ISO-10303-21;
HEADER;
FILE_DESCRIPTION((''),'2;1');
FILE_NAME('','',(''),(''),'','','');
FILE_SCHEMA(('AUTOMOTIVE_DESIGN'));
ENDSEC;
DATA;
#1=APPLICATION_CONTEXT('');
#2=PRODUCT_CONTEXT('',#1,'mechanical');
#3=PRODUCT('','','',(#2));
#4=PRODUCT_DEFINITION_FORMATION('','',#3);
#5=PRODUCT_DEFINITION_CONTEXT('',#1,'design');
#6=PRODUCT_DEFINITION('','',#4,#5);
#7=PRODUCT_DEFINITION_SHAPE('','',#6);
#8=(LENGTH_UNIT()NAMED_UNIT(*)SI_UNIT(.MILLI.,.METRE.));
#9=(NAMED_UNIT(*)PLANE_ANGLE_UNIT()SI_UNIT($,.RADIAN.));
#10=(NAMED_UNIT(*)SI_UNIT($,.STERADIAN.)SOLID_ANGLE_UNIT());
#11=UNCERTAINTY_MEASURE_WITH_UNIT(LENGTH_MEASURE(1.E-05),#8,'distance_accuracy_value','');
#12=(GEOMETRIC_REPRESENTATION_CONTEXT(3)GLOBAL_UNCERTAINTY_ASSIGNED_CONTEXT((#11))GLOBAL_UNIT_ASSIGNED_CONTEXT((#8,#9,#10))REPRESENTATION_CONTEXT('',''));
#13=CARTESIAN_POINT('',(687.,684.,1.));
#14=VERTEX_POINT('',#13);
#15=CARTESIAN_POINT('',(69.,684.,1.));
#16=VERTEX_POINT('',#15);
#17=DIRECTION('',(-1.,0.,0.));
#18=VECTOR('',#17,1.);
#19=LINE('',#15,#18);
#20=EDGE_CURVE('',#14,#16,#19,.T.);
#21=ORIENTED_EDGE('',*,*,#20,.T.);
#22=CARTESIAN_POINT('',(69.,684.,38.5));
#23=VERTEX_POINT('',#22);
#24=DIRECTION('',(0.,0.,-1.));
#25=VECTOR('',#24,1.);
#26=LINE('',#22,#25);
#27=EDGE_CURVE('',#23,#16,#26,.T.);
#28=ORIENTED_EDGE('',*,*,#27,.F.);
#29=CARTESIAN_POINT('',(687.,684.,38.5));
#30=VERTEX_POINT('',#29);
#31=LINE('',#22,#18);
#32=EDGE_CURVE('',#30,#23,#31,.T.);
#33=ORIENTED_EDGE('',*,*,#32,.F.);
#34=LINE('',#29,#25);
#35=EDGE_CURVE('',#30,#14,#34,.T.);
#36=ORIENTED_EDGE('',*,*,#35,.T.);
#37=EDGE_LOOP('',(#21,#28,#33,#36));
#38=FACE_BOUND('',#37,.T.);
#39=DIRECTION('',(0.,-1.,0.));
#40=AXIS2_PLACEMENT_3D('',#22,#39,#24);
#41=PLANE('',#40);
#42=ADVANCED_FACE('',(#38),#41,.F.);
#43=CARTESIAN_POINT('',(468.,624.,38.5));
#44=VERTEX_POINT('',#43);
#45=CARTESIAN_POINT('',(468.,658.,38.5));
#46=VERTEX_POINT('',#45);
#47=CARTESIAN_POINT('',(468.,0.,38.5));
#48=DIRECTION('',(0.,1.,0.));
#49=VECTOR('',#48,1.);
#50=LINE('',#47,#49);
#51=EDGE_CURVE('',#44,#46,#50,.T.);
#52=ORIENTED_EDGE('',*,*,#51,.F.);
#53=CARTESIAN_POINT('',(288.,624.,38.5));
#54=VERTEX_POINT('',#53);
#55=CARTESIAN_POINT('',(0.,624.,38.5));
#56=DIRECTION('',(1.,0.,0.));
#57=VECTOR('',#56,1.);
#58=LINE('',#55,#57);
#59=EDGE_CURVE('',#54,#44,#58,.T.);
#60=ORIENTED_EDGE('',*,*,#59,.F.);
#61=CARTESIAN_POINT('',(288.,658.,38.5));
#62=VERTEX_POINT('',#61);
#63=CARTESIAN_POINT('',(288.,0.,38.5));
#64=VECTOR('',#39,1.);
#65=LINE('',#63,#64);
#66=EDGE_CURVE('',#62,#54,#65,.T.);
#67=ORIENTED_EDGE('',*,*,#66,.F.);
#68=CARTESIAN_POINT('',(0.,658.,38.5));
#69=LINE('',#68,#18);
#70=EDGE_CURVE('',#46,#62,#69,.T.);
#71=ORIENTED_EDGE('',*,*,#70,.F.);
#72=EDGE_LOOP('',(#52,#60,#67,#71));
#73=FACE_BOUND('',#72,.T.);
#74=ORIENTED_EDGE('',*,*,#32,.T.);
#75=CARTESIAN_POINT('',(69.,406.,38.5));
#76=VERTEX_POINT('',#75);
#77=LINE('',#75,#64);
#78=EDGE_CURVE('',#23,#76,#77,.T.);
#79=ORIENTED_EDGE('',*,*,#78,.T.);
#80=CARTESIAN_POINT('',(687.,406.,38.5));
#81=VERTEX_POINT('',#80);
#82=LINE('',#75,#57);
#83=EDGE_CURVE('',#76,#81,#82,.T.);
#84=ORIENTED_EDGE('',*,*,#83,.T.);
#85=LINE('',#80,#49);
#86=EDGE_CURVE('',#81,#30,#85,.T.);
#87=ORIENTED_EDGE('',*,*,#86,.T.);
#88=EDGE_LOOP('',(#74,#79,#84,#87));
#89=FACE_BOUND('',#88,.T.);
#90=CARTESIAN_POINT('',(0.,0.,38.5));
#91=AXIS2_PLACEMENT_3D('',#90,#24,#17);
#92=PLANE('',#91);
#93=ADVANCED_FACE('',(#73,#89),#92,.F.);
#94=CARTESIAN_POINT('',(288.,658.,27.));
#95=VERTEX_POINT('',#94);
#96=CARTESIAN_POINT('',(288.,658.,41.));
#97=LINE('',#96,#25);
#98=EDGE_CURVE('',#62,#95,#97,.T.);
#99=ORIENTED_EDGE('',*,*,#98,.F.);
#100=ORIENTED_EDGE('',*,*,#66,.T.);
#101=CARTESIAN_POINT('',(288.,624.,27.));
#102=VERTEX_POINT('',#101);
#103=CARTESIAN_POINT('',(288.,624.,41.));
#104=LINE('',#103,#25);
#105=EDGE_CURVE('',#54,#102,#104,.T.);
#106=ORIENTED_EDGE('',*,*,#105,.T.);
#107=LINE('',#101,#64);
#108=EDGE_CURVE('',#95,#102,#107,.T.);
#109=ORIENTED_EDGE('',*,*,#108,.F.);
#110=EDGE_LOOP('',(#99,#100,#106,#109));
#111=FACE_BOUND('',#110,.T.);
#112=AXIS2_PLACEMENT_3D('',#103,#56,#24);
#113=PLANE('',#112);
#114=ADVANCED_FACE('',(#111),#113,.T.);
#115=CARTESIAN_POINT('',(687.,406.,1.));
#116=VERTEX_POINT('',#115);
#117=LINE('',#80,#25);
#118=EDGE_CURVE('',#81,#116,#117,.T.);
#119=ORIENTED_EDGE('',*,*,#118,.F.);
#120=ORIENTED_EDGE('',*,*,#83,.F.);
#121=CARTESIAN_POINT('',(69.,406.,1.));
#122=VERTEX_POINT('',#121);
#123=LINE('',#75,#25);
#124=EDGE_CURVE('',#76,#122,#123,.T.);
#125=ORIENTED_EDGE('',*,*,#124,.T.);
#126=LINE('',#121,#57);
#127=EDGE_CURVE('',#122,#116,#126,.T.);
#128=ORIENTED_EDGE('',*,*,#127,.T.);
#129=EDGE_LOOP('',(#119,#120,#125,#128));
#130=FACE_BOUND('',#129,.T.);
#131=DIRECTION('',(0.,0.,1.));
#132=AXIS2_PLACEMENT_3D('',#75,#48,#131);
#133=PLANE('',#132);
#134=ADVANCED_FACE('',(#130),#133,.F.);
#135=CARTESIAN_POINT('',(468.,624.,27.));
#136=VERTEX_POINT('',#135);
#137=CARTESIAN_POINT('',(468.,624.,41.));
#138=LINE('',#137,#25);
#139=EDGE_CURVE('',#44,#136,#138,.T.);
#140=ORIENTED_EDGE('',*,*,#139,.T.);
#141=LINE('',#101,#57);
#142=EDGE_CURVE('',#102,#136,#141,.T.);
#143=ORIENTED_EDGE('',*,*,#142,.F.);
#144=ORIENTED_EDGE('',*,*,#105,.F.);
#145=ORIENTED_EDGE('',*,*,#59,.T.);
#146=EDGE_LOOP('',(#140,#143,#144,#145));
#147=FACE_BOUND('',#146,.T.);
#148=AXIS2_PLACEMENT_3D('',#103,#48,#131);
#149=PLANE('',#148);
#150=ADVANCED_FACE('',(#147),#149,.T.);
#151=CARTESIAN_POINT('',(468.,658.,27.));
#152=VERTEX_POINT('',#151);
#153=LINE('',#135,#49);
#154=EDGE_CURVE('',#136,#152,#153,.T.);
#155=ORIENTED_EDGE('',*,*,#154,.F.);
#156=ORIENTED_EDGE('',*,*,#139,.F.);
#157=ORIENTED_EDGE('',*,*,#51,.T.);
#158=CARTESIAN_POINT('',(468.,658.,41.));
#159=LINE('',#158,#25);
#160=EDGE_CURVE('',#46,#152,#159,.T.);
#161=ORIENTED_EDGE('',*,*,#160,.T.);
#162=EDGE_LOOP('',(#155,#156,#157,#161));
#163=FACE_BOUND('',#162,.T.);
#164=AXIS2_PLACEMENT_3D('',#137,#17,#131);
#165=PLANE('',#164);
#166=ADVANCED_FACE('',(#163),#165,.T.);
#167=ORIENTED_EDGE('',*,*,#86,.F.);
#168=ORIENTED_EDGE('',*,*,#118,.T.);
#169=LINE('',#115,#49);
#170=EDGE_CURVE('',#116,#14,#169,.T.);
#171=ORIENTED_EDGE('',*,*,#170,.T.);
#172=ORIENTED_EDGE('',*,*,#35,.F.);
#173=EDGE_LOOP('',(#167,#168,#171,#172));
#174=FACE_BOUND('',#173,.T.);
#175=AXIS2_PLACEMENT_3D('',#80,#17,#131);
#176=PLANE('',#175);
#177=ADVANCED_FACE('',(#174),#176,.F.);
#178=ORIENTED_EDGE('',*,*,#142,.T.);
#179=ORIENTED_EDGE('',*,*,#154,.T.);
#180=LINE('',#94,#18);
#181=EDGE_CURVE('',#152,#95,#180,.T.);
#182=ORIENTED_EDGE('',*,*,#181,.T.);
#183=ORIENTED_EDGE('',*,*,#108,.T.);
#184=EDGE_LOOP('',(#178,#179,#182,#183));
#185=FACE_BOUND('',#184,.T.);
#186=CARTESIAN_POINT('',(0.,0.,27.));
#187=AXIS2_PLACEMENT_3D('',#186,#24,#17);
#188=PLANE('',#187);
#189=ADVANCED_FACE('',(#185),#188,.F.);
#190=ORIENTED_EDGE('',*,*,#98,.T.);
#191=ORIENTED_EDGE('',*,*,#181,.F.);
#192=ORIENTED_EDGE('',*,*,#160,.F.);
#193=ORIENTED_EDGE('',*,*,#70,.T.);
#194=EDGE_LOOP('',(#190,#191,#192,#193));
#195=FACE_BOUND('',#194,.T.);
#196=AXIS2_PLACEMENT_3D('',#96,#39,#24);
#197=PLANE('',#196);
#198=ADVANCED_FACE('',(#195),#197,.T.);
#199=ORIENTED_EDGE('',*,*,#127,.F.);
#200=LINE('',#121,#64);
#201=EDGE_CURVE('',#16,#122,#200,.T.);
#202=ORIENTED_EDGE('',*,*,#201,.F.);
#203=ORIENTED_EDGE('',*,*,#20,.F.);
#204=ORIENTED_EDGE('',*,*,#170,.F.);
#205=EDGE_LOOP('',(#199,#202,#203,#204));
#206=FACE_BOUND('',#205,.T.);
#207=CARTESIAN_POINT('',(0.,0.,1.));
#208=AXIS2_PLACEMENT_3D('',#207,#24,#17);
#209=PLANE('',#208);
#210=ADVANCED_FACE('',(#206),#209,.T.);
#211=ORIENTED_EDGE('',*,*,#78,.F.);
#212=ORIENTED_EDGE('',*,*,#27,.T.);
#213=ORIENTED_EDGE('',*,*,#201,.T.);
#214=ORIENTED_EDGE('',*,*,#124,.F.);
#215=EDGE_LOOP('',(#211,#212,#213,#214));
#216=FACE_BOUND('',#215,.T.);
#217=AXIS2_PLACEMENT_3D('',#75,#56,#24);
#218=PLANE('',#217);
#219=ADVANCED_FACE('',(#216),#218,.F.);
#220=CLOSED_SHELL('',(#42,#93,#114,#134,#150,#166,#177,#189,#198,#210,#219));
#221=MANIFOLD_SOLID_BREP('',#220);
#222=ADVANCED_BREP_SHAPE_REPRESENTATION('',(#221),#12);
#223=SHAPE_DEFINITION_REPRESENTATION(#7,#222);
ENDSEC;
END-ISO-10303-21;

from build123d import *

# Parameters (mm, degrees)
STORE_KLAPE_KASET_KATI_ON_PU_1_START = 1
SKETCH1_W                            = 618
SKETCH1_H                            = 278
STORE_KLAPE_KASET_KATI_ON_PU_1_DEPTH = 37.5
STORE_KLAPE_KASET_KATI_ON_PU_2_START = 27
SKETCH2_W                            = 180
SKETCH2_H                            = 34
STORE_KLAPE_KASET_KATI_ON_PU_2_DEPTH = 14


with BuildPart() as part:
    # Sketch1 → STORE_klape_kaset_kati_on_pu_1 (new body)
    with BuildSketch(Plane.XY.offset(STORE_KLAPE_KASET_KATI_ON_PU_1_START)):
        with Locations((378, 545)):
            Rectangle(SKETCH1_W, SKETCH1_H)
    extrude(amount=STORE_KLAPE_KASET_KATI_ON_PU_1_DEPTH)

    # Sketch2 → STORE_klape_kaset_kati_on_pu_2 (cut)
    with BuildSketch(Plane.XY.offset(STORE_KLAPE_KASET_KATI_ON_PU_2_START)):
        with Locations((378, 641)):
            Rectangle(SKETCH2_W, SKETCH2_H)
    extrude(amount=STORE_KLAPE_KASET_KATI_ON_PU_2_DEPTH, mode=Mode.SUBTRACT)


solid = part.part
